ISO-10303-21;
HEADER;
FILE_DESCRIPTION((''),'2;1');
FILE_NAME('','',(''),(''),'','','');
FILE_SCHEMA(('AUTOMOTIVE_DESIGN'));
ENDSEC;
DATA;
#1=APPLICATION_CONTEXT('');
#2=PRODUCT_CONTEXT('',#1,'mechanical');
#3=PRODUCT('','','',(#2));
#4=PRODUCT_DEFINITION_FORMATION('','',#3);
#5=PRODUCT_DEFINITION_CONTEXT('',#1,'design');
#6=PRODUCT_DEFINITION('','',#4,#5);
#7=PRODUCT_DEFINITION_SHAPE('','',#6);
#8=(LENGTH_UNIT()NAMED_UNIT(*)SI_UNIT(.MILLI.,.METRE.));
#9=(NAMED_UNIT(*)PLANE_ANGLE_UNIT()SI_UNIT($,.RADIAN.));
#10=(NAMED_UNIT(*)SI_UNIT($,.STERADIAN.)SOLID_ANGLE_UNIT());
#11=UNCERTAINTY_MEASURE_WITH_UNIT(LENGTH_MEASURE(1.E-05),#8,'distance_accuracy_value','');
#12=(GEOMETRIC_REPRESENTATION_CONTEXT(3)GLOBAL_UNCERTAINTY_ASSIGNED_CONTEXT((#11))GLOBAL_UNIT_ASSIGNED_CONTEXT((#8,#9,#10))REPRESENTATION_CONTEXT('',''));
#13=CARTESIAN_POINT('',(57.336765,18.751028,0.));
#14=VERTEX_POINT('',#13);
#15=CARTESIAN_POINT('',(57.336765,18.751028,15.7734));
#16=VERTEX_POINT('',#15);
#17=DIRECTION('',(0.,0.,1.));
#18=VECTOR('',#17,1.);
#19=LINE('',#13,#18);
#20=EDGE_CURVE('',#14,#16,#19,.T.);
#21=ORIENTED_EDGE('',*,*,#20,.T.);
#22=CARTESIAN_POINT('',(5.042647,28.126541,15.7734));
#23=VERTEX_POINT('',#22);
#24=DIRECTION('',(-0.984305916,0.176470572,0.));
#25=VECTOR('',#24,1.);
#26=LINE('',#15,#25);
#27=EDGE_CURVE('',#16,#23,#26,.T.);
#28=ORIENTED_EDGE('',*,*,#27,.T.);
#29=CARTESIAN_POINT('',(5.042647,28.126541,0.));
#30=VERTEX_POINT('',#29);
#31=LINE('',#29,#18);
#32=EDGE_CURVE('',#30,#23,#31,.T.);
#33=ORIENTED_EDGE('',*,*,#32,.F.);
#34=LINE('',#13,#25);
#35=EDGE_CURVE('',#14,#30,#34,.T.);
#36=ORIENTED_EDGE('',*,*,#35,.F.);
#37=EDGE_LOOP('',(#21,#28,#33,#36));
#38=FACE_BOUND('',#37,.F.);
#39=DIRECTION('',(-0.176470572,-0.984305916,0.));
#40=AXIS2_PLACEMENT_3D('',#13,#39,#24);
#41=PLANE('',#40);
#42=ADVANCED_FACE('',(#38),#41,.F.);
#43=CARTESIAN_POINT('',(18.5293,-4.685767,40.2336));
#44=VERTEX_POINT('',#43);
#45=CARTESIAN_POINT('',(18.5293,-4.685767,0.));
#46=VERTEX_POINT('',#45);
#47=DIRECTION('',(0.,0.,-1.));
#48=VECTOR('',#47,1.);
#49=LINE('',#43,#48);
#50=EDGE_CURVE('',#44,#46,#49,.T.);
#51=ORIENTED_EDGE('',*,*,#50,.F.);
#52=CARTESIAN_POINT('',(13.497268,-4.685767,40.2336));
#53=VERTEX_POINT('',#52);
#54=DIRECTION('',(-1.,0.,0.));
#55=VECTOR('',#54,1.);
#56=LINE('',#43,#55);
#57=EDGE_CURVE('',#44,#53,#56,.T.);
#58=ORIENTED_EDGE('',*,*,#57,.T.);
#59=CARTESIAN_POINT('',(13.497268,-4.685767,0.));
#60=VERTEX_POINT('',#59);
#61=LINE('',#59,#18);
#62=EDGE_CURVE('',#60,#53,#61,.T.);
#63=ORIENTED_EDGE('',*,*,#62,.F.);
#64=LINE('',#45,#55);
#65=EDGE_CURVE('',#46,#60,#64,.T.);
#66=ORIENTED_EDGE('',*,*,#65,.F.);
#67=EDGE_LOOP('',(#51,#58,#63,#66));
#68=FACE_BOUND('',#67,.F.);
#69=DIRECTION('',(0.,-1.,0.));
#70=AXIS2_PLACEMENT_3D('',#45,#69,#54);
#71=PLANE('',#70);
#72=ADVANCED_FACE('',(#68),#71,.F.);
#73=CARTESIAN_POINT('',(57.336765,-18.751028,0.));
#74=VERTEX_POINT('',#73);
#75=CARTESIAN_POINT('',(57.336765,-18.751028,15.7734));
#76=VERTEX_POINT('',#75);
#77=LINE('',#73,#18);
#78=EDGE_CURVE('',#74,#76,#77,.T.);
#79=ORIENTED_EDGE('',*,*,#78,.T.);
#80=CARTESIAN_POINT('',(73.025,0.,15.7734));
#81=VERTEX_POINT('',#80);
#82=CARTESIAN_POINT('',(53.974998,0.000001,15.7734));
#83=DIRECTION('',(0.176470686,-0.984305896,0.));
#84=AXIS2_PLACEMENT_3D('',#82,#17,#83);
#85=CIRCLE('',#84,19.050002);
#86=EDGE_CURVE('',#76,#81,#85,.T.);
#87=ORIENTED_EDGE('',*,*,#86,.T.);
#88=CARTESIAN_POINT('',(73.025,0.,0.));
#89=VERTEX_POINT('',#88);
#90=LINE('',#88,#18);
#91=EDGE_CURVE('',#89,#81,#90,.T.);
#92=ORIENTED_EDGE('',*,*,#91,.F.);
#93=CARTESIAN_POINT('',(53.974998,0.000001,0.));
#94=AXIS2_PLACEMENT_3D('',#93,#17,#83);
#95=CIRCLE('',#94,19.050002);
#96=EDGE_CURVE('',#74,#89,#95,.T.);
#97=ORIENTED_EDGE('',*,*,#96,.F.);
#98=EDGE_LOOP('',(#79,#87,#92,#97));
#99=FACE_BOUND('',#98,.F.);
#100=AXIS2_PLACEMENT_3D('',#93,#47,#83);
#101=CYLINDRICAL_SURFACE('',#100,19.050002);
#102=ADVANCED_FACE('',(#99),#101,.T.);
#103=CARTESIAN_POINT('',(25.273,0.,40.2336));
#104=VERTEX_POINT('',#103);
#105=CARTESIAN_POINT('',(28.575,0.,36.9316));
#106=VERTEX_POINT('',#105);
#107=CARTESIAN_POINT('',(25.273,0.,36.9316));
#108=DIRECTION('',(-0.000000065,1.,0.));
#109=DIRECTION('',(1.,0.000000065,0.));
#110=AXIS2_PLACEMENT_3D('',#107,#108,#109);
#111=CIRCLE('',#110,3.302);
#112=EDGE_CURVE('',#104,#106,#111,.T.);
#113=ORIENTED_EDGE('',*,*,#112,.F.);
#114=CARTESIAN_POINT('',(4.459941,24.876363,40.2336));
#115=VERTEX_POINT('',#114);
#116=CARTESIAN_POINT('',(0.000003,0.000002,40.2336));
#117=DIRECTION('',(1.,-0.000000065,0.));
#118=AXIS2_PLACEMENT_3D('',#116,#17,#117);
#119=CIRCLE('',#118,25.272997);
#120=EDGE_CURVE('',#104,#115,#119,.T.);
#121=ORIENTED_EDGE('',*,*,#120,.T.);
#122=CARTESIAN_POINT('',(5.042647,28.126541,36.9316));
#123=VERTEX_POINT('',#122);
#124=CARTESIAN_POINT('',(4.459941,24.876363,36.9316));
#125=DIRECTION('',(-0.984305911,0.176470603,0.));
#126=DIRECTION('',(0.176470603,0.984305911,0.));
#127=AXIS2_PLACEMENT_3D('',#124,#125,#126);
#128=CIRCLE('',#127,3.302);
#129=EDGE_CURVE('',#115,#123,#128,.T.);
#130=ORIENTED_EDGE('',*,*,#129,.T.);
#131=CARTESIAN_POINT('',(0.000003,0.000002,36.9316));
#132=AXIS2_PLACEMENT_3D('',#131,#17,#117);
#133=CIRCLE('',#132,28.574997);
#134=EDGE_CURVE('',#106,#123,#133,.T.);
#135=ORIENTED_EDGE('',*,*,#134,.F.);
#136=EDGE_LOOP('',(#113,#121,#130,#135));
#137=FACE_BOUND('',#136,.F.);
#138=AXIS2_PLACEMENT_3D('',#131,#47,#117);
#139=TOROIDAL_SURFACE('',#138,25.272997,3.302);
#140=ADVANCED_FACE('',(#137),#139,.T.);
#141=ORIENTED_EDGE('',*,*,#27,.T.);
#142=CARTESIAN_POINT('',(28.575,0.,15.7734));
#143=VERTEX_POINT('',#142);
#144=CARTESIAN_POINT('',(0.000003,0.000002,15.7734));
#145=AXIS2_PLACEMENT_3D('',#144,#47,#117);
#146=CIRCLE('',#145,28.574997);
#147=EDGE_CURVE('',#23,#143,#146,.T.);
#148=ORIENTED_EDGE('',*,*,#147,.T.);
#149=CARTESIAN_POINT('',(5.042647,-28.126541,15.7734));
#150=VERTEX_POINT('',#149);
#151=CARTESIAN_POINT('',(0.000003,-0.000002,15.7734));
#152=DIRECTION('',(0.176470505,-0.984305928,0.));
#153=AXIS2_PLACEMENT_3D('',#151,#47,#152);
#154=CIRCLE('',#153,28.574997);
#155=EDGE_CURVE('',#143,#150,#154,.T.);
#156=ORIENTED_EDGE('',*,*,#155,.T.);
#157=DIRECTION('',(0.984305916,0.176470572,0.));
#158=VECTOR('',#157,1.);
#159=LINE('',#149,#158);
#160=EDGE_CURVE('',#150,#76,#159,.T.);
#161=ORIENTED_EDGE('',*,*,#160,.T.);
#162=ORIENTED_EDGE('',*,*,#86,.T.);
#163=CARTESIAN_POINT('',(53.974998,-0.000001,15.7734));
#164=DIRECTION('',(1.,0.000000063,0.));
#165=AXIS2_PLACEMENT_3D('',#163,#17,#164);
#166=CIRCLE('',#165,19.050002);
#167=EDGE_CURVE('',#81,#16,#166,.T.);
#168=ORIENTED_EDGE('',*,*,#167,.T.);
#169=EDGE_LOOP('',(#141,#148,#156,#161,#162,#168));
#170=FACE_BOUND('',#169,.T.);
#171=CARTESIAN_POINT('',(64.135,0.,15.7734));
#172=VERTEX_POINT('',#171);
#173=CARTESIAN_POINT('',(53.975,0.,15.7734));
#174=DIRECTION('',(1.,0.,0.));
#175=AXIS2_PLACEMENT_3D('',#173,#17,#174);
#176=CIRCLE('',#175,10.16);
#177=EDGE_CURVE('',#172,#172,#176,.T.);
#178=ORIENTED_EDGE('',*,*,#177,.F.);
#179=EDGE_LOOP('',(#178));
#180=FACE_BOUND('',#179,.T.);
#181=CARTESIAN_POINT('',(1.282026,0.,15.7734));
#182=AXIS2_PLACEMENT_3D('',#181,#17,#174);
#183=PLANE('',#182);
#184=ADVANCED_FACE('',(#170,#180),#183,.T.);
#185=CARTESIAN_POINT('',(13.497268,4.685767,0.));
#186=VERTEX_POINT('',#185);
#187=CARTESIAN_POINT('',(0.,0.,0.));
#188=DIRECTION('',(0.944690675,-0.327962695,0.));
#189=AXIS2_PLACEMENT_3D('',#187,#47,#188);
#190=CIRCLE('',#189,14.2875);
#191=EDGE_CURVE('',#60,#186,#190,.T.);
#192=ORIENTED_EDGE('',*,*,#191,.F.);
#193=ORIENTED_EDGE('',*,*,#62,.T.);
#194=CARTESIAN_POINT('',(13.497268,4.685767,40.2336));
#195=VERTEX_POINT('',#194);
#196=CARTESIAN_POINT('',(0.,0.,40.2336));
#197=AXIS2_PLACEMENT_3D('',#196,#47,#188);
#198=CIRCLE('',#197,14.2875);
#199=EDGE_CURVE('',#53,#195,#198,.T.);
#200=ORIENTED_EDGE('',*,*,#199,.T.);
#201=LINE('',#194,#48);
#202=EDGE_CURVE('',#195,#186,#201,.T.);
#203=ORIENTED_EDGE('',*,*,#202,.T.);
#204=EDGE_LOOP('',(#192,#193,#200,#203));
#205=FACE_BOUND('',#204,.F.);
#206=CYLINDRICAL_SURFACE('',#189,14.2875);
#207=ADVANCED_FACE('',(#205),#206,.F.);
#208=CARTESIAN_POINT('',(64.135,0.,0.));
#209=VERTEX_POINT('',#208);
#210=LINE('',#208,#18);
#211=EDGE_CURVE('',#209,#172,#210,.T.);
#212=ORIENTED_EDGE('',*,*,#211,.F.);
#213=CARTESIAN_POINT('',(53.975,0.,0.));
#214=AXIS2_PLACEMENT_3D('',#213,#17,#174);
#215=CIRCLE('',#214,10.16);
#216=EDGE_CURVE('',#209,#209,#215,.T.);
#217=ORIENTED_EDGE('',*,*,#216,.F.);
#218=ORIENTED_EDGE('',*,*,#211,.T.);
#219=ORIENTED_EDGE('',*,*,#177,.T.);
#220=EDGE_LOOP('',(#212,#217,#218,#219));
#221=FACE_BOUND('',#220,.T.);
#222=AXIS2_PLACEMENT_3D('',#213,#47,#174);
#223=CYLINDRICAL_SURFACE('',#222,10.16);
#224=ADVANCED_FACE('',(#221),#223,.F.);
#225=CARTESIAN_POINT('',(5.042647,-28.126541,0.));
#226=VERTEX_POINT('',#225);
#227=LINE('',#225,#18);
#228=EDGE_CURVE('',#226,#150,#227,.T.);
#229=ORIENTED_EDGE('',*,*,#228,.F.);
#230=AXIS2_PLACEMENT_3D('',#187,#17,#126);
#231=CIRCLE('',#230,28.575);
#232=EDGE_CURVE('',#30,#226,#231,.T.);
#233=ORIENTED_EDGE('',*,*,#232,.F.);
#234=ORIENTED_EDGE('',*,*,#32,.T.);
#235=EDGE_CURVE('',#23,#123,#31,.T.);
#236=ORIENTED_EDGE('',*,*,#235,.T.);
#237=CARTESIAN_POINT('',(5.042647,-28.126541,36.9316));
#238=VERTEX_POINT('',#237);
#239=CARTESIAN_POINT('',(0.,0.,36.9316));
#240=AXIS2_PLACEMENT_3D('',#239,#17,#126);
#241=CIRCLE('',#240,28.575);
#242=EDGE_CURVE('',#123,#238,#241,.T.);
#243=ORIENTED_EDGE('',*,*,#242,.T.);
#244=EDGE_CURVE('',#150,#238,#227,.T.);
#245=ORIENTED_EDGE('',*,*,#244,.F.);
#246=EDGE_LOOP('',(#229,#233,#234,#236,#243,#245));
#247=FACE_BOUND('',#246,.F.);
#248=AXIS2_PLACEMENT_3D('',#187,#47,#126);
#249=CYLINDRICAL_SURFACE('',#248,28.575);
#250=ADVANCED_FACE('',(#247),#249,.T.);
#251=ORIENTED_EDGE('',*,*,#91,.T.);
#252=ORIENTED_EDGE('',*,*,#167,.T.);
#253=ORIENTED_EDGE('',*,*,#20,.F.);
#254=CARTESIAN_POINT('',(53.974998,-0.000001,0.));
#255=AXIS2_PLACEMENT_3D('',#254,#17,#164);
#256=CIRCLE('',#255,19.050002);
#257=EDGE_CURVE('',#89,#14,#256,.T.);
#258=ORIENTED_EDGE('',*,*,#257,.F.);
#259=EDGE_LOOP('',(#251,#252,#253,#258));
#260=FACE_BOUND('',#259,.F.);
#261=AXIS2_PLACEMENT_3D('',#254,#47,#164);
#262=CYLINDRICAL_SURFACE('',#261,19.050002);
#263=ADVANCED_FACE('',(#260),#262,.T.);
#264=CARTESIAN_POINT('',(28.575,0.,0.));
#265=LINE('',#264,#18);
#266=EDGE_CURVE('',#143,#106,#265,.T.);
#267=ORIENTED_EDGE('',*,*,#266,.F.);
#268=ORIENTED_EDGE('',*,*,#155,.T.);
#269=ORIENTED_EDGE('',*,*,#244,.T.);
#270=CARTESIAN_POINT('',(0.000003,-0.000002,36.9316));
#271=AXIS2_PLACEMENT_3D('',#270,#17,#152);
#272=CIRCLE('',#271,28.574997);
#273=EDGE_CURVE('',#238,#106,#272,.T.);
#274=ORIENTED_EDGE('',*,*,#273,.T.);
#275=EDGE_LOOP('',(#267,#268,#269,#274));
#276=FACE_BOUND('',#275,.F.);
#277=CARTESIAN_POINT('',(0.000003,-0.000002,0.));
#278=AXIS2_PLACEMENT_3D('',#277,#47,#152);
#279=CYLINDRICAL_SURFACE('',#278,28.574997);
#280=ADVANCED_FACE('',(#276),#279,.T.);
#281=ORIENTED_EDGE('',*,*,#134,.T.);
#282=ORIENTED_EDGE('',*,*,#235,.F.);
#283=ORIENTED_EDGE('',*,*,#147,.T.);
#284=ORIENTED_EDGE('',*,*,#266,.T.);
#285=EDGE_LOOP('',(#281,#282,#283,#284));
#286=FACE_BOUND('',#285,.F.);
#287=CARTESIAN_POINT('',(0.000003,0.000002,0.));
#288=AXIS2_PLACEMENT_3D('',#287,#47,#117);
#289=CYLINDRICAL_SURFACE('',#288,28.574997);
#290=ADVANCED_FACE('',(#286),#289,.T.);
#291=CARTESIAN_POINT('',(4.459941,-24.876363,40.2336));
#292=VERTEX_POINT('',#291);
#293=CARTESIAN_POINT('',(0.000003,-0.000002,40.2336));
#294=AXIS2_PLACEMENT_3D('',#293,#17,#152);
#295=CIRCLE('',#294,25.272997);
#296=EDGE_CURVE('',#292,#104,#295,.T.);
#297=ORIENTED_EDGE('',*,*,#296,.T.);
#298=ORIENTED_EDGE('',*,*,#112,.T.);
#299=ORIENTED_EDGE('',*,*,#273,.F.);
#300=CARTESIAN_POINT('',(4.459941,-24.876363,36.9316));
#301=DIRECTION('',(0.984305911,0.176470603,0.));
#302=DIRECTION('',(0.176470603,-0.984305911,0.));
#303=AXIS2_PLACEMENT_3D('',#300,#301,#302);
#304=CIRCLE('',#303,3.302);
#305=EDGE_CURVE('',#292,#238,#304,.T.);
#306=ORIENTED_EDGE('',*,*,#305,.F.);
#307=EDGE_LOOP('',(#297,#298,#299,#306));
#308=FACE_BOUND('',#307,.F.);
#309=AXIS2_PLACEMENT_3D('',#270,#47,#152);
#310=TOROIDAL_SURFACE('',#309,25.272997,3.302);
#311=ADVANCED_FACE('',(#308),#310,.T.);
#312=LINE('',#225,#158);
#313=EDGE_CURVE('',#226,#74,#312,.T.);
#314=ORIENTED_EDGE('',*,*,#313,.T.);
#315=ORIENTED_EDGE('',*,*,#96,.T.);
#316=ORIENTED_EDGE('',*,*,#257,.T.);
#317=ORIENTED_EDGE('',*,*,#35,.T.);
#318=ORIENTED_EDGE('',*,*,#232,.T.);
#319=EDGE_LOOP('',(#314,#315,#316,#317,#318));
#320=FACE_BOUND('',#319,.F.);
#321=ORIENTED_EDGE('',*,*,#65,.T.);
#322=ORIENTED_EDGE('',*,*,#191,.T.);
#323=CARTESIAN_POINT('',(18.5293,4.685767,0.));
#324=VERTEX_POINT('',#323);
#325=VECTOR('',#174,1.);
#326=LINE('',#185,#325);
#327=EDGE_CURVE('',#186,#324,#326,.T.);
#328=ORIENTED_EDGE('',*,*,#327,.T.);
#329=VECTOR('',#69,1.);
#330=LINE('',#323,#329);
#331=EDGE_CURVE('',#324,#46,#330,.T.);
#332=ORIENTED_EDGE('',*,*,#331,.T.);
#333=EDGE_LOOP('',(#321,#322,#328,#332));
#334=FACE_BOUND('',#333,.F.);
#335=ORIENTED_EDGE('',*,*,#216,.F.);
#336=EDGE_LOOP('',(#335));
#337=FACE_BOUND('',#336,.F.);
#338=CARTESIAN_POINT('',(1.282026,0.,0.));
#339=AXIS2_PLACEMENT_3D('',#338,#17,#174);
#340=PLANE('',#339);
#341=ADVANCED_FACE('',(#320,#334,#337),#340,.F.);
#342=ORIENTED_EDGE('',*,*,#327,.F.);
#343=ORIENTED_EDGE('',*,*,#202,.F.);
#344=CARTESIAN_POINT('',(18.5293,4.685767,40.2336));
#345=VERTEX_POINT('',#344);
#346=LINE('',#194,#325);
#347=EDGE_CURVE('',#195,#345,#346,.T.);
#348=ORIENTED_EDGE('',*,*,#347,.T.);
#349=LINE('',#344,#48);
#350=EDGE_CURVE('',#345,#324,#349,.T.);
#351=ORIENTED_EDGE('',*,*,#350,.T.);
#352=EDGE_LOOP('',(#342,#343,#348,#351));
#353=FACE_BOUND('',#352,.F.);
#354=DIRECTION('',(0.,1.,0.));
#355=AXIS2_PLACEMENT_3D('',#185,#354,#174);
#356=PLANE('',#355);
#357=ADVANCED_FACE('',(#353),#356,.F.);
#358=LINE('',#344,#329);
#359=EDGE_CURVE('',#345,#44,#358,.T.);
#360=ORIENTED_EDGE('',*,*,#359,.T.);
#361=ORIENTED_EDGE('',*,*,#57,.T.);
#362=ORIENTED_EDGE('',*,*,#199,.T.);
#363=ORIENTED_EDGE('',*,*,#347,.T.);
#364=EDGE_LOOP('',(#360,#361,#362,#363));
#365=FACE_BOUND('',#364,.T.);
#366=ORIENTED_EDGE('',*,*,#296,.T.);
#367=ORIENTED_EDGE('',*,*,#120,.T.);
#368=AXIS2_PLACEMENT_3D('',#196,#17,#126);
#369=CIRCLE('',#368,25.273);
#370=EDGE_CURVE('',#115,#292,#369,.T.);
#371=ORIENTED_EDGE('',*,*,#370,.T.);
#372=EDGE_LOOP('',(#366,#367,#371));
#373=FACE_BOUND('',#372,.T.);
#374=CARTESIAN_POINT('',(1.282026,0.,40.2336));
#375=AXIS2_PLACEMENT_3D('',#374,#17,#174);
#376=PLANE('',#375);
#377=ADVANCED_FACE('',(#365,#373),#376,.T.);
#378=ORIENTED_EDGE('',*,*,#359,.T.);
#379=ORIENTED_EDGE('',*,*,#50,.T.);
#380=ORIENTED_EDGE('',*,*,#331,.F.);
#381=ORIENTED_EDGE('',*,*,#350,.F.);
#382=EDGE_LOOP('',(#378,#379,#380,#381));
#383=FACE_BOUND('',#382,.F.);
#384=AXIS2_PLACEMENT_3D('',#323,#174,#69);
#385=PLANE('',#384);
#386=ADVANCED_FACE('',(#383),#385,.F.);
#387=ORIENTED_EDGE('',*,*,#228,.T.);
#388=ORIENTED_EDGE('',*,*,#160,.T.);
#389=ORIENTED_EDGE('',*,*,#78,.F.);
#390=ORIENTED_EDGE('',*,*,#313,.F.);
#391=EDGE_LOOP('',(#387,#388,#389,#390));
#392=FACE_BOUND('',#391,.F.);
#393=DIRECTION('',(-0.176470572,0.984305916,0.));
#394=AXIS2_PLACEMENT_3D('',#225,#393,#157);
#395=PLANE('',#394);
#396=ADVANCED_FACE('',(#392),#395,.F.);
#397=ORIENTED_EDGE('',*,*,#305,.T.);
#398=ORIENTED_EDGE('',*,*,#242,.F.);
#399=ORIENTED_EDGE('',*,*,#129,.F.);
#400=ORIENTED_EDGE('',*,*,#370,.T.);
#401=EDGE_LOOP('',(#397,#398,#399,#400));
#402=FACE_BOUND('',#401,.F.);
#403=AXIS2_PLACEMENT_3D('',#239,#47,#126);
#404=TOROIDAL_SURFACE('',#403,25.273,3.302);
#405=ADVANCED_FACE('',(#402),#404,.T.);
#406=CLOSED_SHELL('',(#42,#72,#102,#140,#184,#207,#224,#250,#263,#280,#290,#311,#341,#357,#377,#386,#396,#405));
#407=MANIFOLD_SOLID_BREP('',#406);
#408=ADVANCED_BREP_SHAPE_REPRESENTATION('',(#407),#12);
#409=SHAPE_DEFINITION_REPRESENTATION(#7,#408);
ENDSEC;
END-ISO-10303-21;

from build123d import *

# Parameters (mm, degrees)
F1_DEPTH = 40.2336
F0_R     = 10.16
F2_DEPTH = 15.7734
F3_R     = 3.302


with BuildPart() as f1:
    # F0 (on Top) → F1 (new body)
    with BuildSketch(Plane.XY):
        with BuildLine():
            ThreePointArc((5.042647, -28.126541), (21.916025, -18.336262), (28.575, 0))
            ThreePointArc((28.575, 0), (21.916025, 18.336262), (5.042647, 28.126541))
            ThreePointArc((5.042647, 28.126541), (-28.575, 0), (5.042647, -28.126541))
        make_face()
        with BuildLine():
            ThreePointArc((13.497268, -4.685767), (-14.2875, 0), (13.497268, 4.685767))
            Line((13.497268, 4.685767), (18.5293, 4.685767))
            Line((18.5293, 4.685767), (18.5293, -4.685767))
            Line((18.5293, -4.685767), (13.497268, -4.685767))
        make_face(mode=Mode.SUBTRACT)
    extrude(amount=F1_DEPTH)

    # F0 (on Top) → F2 (join)
    with BuildSketch(Plane.XY):
        with BuildLine():
            ThreePointArc((5.042647, -28.126541), (21.916025, -18.336262), (28.575, 0))
            ThreePointArc((28.575, 0), (21.916025, 18.336262), (5.042647, 28.126541))
            ThreePointArc((5.042647, 28.126541), (-28.575, 0), (5.042647, -28.126541))
        make_face()
        with BuildLine():
            ThreePointArc((13.497268, -4.685767), (-14.2875, 0), (13.497268, 4.685767))
            Line((13.497268, 4.685767), (18.5293, 4.685767))
            Line((18.5293, 4.685767), (18.5293, -4.685767))
            Line((18.5293, -4.685767), (13.497268, -4.685767))
        make_face(mode=Mode.SUBTRACT)
        with BuildLine():
            ThreePointArc((5.042647, 28.126541), (21.916025, 18.336262), (28.575, 0))
            ThreePointArc((28.575, 0), (21.916025, -18.336262), (5.042647, -28.126541))
            Line((5.042647, -28.126541), (57.336765, -18.751028))
            ThreePointArc((57.336765, -18.751028), (34.925, 0), (57.336765, 18.751028))
            Line((57.336765, 18.751028), (5.042647, 28.126541))
        make_face()
        with BuildLine():
            ThreePointArc((73.025, 0), (68.585683, 12.224174), (57.336765, 18.751028))
            ThreePointArc((57.336765, 18.751028), (34.925, 0), (57.336765, -18.751028))
            ThreePointArc((57.336765, -18.751028), (68.585683, -12.224174), (73.025, 0))
        make_face()
        with Locations((53.975, 0)):
            Circle(F0_R, mode=Mode.SUBTRACT)
    extrude(amount=F2_DEPTH)

    # F3
    f3_edges = [f1.edges().sort_by_distance(p)[0] for p in [
        (-5.042647, 28.126541, 40.2336),
    ]]
    fillet(f3_edges, radius=F3_R)


solid = f1.part
